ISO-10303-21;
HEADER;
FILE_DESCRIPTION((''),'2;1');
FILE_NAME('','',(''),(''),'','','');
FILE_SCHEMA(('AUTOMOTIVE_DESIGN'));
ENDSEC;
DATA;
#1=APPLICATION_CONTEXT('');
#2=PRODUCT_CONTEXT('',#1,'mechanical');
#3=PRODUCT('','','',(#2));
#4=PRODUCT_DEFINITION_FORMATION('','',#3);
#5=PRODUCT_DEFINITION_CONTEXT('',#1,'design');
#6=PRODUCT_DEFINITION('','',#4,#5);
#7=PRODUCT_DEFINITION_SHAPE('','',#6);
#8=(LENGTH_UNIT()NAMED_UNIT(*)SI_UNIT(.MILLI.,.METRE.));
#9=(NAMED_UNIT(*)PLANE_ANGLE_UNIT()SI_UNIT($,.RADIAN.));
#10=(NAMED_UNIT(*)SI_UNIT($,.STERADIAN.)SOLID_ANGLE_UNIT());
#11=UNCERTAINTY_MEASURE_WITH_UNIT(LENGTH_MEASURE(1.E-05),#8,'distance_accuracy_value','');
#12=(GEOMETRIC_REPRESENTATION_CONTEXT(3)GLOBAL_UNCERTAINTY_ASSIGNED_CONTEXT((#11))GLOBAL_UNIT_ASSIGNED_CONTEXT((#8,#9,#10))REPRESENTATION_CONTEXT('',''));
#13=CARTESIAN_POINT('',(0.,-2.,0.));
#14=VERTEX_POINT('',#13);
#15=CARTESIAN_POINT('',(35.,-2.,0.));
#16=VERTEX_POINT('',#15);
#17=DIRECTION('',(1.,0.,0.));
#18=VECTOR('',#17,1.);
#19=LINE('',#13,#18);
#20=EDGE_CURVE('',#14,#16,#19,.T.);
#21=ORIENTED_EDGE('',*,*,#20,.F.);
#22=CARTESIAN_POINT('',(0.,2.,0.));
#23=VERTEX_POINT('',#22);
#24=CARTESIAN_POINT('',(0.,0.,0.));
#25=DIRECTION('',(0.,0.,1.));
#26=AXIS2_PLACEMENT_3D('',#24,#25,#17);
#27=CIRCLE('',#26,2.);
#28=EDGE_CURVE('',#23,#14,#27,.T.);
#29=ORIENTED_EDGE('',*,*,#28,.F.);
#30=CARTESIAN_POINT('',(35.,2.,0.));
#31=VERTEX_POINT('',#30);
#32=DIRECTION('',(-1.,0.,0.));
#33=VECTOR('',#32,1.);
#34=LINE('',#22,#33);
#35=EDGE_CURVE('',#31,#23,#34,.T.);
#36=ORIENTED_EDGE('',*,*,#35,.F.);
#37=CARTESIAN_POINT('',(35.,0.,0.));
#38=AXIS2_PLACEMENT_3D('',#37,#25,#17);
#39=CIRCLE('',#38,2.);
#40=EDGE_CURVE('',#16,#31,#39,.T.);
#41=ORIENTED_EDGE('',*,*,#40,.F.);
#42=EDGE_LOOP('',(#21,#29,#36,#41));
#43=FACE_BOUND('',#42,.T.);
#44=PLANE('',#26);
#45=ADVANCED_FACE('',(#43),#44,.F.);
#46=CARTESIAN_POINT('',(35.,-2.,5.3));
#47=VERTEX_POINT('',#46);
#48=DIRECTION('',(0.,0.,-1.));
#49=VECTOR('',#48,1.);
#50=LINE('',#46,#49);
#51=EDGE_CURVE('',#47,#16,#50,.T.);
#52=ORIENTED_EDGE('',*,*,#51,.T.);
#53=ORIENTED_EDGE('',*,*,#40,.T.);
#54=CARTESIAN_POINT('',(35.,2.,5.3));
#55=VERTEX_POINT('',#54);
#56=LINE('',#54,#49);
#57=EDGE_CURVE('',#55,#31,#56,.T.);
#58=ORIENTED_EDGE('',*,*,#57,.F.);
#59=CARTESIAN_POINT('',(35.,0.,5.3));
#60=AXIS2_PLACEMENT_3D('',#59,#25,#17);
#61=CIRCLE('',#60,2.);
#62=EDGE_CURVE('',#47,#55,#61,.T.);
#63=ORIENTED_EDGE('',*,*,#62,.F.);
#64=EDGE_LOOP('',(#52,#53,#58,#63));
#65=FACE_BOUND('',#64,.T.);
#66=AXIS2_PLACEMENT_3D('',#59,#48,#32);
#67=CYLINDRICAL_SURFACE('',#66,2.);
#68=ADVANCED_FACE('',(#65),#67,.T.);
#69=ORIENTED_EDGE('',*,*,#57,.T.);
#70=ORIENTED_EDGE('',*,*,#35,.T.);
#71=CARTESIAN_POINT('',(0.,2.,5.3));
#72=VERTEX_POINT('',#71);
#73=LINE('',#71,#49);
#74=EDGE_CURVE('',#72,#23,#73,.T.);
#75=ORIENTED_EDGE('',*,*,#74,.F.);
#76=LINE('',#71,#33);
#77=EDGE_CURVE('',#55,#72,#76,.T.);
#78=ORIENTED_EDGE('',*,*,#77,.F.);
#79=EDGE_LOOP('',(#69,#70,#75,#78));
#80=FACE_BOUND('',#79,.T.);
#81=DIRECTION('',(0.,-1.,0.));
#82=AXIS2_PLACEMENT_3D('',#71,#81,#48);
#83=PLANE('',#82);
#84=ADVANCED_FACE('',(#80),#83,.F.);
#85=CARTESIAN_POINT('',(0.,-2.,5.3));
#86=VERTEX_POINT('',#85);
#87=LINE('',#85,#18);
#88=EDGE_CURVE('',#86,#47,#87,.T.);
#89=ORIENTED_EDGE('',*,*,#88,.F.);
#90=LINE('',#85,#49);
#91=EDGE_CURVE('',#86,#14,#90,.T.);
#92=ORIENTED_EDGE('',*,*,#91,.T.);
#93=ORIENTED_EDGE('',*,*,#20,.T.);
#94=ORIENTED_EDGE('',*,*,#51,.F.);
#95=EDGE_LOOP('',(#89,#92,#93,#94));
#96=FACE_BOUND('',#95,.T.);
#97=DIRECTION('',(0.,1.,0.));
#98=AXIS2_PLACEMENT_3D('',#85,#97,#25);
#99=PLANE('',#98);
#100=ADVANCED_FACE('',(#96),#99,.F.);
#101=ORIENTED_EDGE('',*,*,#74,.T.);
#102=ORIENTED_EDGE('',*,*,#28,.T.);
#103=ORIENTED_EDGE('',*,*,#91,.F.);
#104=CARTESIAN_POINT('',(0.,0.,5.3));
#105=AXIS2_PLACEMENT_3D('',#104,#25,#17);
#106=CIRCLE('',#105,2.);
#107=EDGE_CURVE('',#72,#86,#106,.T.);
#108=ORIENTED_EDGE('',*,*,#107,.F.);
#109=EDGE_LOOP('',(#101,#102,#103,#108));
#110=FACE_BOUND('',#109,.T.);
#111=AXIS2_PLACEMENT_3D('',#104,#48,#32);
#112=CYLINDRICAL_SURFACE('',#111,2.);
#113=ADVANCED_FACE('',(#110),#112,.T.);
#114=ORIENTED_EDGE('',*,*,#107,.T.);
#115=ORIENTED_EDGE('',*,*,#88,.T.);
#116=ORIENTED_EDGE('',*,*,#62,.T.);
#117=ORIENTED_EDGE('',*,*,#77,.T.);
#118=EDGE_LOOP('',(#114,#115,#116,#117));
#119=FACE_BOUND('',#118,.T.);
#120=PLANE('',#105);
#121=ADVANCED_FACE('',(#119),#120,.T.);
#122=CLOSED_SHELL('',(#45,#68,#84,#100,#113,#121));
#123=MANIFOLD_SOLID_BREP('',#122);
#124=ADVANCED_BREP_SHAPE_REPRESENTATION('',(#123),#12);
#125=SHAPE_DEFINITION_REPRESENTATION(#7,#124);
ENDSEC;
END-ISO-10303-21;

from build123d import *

# Parameters (mm, degrees)
SALIENTE_EXTRUIR1_DEPTH = 5.3


with BuildPart() as part:
    # Croquis1 → Saliente-Extruir1 (new body)
    with BuildSketch(Plane.XY):
        with BuildLine():
            Line((0, 2), (35, 2))
            ThreePointArc((35, 2), (37, 0), (35, -2))
            Line((35, -2), (0, -2))
            ThreePointArc((0, -2), (-2, 0), (0, 2))
        make_face()
    extrude(amount=SALIENTE_EXTRUIR1_DEPTH)


solid = part.part
